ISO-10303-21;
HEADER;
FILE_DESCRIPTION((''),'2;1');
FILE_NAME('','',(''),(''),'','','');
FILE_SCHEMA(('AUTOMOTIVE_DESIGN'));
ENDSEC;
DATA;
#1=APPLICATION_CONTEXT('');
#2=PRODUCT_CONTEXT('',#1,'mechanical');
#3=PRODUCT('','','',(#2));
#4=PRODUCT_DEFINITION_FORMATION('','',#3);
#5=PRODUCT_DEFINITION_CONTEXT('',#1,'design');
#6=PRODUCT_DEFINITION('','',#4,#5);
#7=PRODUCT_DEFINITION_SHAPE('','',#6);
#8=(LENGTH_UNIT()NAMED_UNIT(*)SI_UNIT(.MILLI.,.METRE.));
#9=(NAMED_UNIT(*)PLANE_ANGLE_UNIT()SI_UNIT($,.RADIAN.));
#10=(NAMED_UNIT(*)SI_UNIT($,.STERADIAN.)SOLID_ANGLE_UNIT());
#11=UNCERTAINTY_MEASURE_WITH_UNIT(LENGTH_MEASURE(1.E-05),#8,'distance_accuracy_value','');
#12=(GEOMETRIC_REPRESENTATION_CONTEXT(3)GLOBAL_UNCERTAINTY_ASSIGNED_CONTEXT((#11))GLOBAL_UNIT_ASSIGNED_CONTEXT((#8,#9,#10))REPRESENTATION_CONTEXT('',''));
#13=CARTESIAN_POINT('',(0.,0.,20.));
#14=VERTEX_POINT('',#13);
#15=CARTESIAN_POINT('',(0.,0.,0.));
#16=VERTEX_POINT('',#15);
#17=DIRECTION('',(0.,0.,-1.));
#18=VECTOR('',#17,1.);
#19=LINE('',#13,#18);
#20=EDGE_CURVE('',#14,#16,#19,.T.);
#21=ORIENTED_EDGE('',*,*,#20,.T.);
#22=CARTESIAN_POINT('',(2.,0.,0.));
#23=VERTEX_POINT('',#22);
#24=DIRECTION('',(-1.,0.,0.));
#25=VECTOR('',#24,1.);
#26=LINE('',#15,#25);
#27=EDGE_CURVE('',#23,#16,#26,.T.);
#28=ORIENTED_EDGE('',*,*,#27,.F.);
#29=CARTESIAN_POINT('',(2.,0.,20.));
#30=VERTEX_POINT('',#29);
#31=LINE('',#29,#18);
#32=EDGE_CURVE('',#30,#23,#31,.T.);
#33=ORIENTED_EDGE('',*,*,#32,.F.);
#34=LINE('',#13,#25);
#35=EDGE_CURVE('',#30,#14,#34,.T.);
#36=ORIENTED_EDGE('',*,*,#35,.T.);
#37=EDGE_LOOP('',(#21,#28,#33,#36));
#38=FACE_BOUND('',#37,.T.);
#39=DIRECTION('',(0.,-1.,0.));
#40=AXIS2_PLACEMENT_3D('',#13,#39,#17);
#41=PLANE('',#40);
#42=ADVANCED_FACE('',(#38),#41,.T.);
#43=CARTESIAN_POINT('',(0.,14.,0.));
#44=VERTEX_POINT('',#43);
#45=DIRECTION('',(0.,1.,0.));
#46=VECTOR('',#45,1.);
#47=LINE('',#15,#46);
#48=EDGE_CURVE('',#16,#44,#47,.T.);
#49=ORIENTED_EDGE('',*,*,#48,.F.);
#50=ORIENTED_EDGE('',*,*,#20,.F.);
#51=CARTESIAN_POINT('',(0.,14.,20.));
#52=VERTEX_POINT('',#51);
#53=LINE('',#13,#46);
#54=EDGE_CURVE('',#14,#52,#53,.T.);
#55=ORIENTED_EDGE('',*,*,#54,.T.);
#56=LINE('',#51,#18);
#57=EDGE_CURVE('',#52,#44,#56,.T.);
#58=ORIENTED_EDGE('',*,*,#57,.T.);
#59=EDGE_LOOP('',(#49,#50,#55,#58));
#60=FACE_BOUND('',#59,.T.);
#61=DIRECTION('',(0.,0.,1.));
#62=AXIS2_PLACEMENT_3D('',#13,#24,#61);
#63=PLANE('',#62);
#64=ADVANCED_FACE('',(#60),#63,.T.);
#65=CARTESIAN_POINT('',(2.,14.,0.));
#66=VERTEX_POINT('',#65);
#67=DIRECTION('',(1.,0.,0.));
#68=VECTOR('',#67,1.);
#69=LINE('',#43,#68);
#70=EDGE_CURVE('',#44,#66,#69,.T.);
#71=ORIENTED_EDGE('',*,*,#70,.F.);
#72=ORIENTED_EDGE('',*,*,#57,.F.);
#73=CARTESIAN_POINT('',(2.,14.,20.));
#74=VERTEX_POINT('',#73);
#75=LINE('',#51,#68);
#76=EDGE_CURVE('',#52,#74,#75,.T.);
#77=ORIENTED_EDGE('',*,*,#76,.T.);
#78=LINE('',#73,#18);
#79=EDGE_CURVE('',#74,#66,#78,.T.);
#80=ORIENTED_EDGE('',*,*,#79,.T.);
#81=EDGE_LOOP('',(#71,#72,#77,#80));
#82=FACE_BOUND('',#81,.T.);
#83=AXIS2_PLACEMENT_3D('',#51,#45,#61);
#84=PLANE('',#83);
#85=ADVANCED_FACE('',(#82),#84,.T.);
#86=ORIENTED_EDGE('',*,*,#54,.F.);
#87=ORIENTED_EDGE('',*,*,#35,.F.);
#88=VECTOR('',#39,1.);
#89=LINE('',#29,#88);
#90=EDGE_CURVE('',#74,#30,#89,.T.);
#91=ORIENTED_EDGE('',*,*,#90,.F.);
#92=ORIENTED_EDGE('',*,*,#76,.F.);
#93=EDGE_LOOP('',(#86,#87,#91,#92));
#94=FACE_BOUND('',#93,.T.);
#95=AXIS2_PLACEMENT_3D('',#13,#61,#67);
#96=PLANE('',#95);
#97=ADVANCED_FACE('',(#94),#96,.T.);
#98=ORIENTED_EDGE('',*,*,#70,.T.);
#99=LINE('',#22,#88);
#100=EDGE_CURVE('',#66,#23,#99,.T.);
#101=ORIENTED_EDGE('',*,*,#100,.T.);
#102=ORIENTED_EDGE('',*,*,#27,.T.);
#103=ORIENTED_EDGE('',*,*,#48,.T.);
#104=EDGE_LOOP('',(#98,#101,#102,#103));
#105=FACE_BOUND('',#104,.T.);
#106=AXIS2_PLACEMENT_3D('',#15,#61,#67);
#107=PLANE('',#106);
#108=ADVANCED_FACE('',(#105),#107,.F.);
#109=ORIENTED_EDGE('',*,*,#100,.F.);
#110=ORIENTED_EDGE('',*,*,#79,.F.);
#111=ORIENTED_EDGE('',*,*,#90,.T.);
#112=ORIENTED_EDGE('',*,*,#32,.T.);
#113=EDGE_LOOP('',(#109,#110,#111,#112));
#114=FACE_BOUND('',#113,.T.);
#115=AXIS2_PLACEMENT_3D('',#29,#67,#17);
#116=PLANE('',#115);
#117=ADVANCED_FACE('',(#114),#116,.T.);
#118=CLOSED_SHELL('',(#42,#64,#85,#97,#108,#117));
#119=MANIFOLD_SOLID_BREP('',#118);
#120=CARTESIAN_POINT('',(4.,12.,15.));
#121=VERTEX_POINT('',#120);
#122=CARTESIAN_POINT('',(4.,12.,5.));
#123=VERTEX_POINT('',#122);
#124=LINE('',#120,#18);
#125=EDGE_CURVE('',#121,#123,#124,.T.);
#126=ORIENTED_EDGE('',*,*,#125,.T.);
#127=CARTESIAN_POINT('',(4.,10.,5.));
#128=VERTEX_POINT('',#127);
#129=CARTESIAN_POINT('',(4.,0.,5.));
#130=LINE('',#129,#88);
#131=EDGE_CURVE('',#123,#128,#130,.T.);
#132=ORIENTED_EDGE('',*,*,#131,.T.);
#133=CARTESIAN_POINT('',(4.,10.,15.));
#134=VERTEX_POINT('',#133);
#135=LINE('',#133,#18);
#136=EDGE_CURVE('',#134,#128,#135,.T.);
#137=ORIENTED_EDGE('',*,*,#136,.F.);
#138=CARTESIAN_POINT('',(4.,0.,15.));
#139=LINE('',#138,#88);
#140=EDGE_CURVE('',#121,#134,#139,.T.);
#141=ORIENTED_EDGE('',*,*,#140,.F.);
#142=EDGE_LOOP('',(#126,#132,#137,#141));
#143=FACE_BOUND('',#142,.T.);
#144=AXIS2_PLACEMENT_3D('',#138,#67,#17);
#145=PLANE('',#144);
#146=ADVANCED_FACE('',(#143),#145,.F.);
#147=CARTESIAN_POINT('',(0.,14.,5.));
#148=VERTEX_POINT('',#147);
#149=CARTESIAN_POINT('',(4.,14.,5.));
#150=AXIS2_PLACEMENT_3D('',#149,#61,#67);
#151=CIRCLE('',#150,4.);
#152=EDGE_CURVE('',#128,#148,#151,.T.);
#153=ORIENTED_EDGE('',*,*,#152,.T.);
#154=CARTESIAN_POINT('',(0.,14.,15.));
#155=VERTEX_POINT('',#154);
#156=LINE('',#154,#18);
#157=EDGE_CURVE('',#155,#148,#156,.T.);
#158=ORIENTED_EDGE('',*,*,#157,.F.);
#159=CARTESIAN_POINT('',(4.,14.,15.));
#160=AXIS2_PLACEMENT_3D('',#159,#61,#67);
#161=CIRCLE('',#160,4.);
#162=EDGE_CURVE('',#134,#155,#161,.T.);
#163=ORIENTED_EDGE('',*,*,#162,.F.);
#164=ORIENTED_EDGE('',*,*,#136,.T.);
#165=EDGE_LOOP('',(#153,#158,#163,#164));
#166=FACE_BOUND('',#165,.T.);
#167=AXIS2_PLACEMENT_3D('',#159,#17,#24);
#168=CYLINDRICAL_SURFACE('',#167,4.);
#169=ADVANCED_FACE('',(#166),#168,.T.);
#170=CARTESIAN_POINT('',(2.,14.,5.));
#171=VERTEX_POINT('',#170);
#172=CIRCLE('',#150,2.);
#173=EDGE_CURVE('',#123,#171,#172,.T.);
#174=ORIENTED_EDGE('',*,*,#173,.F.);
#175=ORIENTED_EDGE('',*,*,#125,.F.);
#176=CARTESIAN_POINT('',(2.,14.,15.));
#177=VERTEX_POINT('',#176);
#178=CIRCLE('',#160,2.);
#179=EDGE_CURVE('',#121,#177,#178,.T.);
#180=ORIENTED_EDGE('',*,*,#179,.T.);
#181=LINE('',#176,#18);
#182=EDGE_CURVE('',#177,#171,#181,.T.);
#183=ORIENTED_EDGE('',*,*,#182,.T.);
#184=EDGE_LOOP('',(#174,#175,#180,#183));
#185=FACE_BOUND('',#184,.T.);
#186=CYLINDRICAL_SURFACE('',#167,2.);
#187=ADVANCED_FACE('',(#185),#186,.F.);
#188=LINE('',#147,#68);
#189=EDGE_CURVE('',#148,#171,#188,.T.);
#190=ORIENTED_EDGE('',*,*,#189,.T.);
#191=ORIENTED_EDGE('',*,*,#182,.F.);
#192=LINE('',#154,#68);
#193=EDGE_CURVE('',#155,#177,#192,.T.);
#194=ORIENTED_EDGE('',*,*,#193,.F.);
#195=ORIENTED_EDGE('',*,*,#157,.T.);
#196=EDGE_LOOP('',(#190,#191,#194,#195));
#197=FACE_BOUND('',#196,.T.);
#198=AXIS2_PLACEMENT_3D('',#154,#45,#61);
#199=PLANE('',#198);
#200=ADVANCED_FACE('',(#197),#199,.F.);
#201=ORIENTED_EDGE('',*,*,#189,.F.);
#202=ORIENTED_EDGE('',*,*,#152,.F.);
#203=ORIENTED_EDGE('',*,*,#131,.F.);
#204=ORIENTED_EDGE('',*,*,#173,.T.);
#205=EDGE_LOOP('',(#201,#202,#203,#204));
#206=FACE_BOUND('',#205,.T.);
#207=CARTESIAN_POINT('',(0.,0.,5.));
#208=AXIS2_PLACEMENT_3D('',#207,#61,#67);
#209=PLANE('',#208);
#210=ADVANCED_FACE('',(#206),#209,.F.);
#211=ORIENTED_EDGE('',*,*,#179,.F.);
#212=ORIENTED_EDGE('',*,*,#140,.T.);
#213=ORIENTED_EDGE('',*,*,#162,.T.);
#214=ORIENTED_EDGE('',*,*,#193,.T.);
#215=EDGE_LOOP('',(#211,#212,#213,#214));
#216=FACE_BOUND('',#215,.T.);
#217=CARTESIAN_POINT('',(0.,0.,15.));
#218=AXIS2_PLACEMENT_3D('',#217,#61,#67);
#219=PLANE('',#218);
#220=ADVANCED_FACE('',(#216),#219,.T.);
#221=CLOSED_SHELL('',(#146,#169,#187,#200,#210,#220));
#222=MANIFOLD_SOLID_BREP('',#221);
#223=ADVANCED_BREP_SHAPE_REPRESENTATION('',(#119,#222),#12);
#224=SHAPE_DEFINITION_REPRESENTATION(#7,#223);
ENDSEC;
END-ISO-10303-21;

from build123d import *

# Parameters (mm, degrees)
BOSS_EXTRUDE1_DEPTH = 20
BOSS_EXTRUDE2_START = 5
BOSS_EXTRUDE2_DEPTH = 10


with BuildPart() as part:
    # Sketch2 → Boss-Extrude1 (new body)
    with BuildSketch(Plane.XY):
        Polygon((0, 14), (0, 0), (2, 0), (2, 10.535898385), (2, 14), align=None)
    extrude(amount=BOSS_EXTRUDE1_DEPTH)


with BuildPart() as body_2:
    # Sketch2<8> → Boss-Extrude2 (new body)
    with BuildSketch(Plane.XY.offset(BOSS_EXTRUDE2_START)):
        with BuildLine():
            ThreePointArc((4, 10), (6.828427125, 16.828427125), (0, 14))
            Line((0, 14), (2, 14))
            ThreePointArc((2, 14), (4, 16), (6, 14))
            ThreePointArc((6, 14), (5.414213562, 12.585786438), (4, 12))
            Line((4, 12), (4, 10))
        make_face()
    extrude(amount=BOSS_EXTRUDE2_DEPTH)


solid = Compound([part.part, body_2.part])
